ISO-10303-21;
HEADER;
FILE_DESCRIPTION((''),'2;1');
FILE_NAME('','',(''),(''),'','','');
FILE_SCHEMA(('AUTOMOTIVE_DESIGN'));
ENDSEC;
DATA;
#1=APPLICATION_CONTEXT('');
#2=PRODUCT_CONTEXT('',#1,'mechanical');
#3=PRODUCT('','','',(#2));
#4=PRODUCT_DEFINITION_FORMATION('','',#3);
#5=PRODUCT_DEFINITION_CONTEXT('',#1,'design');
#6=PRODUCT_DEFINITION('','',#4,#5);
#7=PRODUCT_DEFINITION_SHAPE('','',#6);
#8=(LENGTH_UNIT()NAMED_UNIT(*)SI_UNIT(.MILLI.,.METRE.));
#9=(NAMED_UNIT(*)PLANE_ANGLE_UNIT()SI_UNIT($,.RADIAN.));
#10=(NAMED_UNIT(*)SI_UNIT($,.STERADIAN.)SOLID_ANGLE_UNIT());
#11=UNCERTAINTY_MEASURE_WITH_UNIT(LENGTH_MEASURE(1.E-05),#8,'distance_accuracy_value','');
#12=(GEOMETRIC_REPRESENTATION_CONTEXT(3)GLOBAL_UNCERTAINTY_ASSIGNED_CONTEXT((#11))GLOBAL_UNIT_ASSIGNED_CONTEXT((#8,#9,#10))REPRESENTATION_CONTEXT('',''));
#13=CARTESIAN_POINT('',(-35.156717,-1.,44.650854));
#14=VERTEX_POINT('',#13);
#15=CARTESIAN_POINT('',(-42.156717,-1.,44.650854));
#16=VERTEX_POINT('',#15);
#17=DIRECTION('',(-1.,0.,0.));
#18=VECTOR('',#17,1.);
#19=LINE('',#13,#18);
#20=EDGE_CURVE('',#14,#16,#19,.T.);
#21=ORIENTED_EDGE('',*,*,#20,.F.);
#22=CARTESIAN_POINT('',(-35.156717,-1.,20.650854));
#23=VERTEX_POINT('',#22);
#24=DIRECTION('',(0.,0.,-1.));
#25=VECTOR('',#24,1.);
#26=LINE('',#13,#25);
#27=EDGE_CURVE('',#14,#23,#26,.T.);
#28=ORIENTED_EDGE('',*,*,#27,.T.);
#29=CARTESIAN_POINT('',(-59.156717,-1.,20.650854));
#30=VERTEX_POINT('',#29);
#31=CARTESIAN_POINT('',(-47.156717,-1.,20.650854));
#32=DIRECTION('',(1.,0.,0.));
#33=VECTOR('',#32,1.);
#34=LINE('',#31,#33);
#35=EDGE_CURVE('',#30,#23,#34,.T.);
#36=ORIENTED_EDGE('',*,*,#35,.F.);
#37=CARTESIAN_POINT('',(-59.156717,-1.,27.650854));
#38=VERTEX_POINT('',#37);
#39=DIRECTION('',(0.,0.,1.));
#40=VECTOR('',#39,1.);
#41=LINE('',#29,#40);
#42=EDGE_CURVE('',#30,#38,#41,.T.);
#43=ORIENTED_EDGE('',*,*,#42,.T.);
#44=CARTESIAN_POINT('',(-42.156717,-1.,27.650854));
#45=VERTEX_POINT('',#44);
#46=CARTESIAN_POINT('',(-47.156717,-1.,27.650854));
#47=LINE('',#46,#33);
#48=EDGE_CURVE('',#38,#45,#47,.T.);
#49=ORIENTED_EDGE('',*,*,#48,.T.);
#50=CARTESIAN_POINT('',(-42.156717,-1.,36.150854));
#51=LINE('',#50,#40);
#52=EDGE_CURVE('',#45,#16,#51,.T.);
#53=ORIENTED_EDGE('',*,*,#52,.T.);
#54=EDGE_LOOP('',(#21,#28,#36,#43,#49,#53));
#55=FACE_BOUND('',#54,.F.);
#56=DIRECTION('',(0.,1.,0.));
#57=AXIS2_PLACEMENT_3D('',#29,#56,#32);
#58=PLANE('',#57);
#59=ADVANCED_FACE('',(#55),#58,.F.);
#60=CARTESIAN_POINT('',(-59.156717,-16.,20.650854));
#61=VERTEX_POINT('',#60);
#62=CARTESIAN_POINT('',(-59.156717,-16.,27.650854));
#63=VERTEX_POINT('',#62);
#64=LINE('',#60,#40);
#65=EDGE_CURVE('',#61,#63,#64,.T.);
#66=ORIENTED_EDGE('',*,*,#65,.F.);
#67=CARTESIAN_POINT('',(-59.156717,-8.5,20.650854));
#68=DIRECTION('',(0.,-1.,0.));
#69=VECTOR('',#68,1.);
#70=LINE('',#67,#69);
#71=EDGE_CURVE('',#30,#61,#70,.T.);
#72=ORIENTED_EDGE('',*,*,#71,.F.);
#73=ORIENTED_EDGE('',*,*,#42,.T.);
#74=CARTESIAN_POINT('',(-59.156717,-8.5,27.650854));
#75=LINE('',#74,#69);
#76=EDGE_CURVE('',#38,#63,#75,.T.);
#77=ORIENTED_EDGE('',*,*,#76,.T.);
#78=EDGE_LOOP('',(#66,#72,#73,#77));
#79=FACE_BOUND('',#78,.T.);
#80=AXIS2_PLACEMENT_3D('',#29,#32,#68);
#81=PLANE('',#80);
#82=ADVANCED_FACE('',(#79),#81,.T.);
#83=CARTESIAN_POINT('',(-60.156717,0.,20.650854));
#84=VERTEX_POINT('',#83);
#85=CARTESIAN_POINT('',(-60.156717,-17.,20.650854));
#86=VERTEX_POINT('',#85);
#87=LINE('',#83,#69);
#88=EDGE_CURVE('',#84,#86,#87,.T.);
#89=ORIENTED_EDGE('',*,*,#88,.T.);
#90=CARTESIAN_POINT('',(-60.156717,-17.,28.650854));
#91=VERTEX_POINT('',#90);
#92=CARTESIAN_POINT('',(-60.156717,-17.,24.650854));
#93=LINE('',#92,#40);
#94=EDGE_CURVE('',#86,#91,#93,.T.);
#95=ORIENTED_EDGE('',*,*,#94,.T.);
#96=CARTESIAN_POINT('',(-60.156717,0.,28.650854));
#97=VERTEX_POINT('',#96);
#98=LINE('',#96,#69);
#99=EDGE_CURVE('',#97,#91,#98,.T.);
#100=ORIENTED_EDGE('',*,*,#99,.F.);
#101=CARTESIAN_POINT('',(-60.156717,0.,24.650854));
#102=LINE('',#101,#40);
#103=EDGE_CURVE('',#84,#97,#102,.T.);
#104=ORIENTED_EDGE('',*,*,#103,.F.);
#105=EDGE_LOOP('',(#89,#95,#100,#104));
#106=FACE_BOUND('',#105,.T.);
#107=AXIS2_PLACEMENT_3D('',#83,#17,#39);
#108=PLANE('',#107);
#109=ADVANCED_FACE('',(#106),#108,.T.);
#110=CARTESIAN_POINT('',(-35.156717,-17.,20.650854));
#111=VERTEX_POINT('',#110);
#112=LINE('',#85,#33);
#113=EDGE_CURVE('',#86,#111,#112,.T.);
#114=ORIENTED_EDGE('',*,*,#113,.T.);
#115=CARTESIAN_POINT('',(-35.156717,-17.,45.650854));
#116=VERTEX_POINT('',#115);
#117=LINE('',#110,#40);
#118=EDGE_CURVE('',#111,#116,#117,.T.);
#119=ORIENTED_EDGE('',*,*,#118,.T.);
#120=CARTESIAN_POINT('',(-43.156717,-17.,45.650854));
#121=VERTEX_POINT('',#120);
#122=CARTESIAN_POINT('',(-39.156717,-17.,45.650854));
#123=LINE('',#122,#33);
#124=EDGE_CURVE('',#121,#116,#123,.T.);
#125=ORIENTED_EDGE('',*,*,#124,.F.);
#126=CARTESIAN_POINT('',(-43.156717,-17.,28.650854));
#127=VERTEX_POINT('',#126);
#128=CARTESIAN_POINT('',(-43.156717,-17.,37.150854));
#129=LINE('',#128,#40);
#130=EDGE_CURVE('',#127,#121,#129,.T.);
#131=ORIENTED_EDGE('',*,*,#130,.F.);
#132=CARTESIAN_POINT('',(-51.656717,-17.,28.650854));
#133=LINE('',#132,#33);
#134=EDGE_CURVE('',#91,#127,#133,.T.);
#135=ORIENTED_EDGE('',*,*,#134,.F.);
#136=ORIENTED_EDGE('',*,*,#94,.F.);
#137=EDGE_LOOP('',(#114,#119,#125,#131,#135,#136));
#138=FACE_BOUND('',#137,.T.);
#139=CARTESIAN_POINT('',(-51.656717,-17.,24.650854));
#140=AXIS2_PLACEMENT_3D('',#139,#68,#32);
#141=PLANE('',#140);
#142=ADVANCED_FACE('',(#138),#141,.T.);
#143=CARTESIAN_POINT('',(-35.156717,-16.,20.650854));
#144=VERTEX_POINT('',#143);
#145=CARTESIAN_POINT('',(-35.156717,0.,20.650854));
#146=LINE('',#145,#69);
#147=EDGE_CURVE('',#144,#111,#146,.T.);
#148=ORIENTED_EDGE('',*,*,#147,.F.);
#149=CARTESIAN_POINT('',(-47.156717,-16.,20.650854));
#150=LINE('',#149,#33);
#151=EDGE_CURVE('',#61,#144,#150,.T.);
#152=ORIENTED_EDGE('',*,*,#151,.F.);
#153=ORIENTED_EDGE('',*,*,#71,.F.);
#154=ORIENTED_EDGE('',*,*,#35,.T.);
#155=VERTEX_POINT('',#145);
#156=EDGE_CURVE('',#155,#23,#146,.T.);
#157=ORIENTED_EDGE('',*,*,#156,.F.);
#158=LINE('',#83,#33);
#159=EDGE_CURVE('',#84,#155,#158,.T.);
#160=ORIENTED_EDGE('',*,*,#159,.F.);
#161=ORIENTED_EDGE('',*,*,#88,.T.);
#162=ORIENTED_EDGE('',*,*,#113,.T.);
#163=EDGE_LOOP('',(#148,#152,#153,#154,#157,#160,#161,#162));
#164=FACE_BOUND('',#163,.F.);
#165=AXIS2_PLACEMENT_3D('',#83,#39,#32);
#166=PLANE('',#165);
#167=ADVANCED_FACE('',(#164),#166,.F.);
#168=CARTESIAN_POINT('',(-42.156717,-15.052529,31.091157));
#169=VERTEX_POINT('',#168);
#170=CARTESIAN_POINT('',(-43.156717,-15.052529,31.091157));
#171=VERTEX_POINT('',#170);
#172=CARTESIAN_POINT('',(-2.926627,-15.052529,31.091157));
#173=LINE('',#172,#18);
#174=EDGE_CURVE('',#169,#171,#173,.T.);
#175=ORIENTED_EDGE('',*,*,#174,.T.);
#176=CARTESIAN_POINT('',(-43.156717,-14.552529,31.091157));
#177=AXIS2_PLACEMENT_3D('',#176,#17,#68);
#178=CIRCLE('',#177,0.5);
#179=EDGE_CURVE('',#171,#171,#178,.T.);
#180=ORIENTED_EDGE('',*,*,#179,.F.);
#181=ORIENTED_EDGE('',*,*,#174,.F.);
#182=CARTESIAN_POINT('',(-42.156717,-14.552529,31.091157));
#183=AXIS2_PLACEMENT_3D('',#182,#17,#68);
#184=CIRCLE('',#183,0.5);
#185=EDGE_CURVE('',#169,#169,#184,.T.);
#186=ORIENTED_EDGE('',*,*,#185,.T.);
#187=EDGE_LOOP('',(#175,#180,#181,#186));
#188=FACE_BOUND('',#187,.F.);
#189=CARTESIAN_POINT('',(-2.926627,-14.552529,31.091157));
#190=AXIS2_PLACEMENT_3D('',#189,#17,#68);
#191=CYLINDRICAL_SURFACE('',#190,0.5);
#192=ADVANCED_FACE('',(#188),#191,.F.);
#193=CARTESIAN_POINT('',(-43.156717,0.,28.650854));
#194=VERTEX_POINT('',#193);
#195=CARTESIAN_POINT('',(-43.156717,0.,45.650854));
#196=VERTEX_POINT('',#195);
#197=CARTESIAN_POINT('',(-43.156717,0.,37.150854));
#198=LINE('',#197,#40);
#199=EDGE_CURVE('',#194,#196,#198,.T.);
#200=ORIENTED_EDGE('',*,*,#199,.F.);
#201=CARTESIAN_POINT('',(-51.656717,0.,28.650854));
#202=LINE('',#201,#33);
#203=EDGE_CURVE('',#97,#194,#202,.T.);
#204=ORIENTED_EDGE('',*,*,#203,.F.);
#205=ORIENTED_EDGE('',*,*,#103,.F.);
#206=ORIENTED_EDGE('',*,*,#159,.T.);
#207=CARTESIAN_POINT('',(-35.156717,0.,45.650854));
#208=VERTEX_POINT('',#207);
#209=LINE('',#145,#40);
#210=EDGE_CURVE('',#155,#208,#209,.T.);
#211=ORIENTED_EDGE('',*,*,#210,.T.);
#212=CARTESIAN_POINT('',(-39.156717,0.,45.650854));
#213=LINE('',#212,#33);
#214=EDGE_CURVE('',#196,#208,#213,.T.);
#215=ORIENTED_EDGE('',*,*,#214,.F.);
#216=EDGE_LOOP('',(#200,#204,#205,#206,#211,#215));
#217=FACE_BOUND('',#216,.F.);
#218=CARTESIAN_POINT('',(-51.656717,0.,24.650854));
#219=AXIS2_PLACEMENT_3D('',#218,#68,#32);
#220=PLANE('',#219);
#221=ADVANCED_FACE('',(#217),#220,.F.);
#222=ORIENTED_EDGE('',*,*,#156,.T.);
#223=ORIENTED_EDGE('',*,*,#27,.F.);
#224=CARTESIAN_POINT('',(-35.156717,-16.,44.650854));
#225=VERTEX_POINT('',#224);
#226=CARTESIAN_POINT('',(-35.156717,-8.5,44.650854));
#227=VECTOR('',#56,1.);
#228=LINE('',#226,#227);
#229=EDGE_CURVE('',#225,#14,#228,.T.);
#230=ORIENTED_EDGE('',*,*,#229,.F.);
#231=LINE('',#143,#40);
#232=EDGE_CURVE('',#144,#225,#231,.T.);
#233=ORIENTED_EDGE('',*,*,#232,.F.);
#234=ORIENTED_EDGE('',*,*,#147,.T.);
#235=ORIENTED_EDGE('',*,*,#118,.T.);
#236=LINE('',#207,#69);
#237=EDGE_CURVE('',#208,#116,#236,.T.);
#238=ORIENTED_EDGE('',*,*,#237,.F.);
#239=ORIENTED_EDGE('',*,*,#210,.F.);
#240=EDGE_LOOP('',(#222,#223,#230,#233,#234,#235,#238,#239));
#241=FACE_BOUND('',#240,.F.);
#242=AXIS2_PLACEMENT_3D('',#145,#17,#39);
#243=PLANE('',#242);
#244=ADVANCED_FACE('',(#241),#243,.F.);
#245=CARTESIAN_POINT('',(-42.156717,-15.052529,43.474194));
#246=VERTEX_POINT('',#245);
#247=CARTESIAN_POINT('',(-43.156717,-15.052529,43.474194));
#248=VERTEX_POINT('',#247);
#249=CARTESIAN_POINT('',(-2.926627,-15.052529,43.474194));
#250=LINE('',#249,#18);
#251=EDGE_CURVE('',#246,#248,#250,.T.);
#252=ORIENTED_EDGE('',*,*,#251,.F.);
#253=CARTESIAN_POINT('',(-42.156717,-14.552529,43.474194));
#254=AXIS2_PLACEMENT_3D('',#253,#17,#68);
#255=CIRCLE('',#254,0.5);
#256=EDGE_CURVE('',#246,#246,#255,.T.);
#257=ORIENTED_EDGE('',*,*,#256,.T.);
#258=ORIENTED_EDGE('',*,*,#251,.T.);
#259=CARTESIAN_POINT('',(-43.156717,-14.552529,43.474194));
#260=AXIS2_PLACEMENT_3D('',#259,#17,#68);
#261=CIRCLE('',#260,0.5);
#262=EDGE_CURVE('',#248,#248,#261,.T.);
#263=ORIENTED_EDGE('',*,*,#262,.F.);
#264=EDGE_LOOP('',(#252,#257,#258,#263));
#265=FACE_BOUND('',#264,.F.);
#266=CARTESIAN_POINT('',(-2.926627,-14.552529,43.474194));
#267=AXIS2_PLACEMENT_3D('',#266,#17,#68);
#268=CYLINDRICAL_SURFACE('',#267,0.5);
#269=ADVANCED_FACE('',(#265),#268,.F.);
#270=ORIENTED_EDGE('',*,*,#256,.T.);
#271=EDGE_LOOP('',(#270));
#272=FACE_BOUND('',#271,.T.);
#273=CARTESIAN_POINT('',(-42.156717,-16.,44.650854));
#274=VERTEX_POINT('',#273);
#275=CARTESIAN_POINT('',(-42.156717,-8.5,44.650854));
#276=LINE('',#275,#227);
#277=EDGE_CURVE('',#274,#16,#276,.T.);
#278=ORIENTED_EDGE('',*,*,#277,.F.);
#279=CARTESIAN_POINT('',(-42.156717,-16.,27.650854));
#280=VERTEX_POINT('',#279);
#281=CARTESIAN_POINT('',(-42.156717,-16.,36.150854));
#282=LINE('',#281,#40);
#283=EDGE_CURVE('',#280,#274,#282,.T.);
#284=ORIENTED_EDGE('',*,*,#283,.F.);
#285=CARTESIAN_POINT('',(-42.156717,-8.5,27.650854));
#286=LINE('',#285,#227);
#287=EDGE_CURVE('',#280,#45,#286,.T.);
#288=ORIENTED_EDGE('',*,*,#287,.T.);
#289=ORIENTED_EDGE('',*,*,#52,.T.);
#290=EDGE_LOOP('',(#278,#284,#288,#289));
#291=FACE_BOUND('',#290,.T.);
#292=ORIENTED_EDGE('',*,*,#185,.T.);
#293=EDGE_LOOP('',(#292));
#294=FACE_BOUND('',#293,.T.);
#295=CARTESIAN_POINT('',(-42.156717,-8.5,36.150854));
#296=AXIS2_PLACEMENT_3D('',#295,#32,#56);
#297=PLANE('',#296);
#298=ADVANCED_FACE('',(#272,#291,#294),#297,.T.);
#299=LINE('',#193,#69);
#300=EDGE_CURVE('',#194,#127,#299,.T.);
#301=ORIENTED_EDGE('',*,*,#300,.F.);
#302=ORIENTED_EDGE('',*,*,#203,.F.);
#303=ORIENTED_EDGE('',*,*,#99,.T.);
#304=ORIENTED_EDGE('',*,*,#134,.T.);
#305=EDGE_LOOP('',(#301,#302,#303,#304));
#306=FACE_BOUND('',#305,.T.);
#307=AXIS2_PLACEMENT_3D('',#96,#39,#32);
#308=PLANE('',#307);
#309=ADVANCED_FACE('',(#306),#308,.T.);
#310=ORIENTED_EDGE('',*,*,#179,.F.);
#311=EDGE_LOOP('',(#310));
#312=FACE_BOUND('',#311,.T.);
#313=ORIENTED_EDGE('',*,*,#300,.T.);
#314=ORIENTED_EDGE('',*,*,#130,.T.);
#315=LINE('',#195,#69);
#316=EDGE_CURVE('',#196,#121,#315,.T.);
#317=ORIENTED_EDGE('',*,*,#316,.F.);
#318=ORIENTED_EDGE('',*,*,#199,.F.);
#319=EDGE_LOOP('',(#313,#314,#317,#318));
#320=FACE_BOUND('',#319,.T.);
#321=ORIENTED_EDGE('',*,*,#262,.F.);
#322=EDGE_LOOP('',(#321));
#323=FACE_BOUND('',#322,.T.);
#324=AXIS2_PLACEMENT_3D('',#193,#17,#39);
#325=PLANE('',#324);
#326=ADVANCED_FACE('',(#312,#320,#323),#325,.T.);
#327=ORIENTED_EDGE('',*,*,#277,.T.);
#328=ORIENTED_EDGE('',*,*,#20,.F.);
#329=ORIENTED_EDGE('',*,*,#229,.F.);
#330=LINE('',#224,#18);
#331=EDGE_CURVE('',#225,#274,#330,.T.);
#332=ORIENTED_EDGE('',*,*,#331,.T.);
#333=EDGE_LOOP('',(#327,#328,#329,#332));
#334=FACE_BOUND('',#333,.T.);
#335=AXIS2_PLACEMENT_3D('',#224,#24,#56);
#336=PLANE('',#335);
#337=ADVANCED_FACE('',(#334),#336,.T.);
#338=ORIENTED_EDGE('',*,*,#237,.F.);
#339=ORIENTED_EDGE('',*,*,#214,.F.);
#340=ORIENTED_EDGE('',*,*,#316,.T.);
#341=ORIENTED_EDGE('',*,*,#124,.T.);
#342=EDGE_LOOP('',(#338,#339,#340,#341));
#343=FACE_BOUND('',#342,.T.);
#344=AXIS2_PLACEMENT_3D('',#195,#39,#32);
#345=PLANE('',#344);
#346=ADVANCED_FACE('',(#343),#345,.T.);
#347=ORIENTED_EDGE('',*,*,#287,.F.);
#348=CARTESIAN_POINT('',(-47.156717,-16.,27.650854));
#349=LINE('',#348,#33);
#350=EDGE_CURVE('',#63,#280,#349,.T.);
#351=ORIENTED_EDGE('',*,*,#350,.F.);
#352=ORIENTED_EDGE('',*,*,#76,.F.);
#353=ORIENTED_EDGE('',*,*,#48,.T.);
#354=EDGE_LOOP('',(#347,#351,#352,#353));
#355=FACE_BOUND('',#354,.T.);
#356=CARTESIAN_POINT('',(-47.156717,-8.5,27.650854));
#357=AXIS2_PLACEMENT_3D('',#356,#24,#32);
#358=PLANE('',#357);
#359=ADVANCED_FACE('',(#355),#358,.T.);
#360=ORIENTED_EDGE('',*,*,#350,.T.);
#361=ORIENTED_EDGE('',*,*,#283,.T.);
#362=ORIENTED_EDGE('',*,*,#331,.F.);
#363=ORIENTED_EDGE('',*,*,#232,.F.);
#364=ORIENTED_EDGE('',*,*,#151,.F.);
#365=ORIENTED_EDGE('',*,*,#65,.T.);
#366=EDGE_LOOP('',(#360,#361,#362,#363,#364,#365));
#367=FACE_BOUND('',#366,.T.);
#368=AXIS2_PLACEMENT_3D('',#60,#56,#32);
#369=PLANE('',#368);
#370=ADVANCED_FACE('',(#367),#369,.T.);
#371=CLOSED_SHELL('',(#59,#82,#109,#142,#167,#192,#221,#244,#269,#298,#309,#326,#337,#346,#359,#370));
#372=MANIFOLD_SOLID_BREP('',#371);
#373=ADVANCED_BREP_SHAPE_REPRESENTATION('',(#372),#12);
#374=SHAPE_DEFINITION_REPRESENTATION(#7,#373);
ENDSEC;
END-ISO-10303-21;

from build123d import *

# Parameters (mm, degrees)
F0_W     = 17
F0_H     = 8
F0_W_2   = 8
F0_H_2   = 17
F1_DEPTH = 17
F2_W     = 24
F2_H     = 15
F3_DEPTH = 7
F4_W     = 15
F4_H     = 17
F5_DEPTH = 7
F7_D     = 1


with BuildPart() as f1:
    # F0 (on Front) → F1 (new body)
    with BuildSketch(Plane.XZ):
        with Locations((-51.656717, 24.650854)):
            Rectangle(F0_W, F0_H)
        with Locations((-39.156717, 37.150854)):
            Rectangle(F0_W_2, F0_H_2)
        with Locations((-39.156717, 24.650854)):
            Rectangle(F0_W_2, F0_H)
    extrude(amount=F1_DEPTH)

    # F2 (on face) → F3 (cut)
    with BuildSketch(Plane(origin=(0, 0, 20.650854), x_dir=(1, 0, 0), z_dir=(0, 0, -1))):
        with Locations((-47.156717, 8.5)):
            Rectangle(F2_W, F2_H)
    extrude(amount=-F3_DEPTH, mode=Mode.SUBTRACT)

    # F4 (on face) → F5 (cut)
    with BuildSketch(Plane.YZ.offset(-35.156717)):
        with Locations((-8.5, 36.150854)):
            Rectangle(F4_W, F4_H)
    extrude(amount=-F5_DEPTH, mode=Mode.SUBTRACT)

    # F7 (through all)
    with Locations(Plane.YZ.offset(-42.156717)):
        with Locations((-14.552529, 31.091157), (-14.552529, 43.474194)):
            Hole(F7_D / 2)


solid = f1.part
